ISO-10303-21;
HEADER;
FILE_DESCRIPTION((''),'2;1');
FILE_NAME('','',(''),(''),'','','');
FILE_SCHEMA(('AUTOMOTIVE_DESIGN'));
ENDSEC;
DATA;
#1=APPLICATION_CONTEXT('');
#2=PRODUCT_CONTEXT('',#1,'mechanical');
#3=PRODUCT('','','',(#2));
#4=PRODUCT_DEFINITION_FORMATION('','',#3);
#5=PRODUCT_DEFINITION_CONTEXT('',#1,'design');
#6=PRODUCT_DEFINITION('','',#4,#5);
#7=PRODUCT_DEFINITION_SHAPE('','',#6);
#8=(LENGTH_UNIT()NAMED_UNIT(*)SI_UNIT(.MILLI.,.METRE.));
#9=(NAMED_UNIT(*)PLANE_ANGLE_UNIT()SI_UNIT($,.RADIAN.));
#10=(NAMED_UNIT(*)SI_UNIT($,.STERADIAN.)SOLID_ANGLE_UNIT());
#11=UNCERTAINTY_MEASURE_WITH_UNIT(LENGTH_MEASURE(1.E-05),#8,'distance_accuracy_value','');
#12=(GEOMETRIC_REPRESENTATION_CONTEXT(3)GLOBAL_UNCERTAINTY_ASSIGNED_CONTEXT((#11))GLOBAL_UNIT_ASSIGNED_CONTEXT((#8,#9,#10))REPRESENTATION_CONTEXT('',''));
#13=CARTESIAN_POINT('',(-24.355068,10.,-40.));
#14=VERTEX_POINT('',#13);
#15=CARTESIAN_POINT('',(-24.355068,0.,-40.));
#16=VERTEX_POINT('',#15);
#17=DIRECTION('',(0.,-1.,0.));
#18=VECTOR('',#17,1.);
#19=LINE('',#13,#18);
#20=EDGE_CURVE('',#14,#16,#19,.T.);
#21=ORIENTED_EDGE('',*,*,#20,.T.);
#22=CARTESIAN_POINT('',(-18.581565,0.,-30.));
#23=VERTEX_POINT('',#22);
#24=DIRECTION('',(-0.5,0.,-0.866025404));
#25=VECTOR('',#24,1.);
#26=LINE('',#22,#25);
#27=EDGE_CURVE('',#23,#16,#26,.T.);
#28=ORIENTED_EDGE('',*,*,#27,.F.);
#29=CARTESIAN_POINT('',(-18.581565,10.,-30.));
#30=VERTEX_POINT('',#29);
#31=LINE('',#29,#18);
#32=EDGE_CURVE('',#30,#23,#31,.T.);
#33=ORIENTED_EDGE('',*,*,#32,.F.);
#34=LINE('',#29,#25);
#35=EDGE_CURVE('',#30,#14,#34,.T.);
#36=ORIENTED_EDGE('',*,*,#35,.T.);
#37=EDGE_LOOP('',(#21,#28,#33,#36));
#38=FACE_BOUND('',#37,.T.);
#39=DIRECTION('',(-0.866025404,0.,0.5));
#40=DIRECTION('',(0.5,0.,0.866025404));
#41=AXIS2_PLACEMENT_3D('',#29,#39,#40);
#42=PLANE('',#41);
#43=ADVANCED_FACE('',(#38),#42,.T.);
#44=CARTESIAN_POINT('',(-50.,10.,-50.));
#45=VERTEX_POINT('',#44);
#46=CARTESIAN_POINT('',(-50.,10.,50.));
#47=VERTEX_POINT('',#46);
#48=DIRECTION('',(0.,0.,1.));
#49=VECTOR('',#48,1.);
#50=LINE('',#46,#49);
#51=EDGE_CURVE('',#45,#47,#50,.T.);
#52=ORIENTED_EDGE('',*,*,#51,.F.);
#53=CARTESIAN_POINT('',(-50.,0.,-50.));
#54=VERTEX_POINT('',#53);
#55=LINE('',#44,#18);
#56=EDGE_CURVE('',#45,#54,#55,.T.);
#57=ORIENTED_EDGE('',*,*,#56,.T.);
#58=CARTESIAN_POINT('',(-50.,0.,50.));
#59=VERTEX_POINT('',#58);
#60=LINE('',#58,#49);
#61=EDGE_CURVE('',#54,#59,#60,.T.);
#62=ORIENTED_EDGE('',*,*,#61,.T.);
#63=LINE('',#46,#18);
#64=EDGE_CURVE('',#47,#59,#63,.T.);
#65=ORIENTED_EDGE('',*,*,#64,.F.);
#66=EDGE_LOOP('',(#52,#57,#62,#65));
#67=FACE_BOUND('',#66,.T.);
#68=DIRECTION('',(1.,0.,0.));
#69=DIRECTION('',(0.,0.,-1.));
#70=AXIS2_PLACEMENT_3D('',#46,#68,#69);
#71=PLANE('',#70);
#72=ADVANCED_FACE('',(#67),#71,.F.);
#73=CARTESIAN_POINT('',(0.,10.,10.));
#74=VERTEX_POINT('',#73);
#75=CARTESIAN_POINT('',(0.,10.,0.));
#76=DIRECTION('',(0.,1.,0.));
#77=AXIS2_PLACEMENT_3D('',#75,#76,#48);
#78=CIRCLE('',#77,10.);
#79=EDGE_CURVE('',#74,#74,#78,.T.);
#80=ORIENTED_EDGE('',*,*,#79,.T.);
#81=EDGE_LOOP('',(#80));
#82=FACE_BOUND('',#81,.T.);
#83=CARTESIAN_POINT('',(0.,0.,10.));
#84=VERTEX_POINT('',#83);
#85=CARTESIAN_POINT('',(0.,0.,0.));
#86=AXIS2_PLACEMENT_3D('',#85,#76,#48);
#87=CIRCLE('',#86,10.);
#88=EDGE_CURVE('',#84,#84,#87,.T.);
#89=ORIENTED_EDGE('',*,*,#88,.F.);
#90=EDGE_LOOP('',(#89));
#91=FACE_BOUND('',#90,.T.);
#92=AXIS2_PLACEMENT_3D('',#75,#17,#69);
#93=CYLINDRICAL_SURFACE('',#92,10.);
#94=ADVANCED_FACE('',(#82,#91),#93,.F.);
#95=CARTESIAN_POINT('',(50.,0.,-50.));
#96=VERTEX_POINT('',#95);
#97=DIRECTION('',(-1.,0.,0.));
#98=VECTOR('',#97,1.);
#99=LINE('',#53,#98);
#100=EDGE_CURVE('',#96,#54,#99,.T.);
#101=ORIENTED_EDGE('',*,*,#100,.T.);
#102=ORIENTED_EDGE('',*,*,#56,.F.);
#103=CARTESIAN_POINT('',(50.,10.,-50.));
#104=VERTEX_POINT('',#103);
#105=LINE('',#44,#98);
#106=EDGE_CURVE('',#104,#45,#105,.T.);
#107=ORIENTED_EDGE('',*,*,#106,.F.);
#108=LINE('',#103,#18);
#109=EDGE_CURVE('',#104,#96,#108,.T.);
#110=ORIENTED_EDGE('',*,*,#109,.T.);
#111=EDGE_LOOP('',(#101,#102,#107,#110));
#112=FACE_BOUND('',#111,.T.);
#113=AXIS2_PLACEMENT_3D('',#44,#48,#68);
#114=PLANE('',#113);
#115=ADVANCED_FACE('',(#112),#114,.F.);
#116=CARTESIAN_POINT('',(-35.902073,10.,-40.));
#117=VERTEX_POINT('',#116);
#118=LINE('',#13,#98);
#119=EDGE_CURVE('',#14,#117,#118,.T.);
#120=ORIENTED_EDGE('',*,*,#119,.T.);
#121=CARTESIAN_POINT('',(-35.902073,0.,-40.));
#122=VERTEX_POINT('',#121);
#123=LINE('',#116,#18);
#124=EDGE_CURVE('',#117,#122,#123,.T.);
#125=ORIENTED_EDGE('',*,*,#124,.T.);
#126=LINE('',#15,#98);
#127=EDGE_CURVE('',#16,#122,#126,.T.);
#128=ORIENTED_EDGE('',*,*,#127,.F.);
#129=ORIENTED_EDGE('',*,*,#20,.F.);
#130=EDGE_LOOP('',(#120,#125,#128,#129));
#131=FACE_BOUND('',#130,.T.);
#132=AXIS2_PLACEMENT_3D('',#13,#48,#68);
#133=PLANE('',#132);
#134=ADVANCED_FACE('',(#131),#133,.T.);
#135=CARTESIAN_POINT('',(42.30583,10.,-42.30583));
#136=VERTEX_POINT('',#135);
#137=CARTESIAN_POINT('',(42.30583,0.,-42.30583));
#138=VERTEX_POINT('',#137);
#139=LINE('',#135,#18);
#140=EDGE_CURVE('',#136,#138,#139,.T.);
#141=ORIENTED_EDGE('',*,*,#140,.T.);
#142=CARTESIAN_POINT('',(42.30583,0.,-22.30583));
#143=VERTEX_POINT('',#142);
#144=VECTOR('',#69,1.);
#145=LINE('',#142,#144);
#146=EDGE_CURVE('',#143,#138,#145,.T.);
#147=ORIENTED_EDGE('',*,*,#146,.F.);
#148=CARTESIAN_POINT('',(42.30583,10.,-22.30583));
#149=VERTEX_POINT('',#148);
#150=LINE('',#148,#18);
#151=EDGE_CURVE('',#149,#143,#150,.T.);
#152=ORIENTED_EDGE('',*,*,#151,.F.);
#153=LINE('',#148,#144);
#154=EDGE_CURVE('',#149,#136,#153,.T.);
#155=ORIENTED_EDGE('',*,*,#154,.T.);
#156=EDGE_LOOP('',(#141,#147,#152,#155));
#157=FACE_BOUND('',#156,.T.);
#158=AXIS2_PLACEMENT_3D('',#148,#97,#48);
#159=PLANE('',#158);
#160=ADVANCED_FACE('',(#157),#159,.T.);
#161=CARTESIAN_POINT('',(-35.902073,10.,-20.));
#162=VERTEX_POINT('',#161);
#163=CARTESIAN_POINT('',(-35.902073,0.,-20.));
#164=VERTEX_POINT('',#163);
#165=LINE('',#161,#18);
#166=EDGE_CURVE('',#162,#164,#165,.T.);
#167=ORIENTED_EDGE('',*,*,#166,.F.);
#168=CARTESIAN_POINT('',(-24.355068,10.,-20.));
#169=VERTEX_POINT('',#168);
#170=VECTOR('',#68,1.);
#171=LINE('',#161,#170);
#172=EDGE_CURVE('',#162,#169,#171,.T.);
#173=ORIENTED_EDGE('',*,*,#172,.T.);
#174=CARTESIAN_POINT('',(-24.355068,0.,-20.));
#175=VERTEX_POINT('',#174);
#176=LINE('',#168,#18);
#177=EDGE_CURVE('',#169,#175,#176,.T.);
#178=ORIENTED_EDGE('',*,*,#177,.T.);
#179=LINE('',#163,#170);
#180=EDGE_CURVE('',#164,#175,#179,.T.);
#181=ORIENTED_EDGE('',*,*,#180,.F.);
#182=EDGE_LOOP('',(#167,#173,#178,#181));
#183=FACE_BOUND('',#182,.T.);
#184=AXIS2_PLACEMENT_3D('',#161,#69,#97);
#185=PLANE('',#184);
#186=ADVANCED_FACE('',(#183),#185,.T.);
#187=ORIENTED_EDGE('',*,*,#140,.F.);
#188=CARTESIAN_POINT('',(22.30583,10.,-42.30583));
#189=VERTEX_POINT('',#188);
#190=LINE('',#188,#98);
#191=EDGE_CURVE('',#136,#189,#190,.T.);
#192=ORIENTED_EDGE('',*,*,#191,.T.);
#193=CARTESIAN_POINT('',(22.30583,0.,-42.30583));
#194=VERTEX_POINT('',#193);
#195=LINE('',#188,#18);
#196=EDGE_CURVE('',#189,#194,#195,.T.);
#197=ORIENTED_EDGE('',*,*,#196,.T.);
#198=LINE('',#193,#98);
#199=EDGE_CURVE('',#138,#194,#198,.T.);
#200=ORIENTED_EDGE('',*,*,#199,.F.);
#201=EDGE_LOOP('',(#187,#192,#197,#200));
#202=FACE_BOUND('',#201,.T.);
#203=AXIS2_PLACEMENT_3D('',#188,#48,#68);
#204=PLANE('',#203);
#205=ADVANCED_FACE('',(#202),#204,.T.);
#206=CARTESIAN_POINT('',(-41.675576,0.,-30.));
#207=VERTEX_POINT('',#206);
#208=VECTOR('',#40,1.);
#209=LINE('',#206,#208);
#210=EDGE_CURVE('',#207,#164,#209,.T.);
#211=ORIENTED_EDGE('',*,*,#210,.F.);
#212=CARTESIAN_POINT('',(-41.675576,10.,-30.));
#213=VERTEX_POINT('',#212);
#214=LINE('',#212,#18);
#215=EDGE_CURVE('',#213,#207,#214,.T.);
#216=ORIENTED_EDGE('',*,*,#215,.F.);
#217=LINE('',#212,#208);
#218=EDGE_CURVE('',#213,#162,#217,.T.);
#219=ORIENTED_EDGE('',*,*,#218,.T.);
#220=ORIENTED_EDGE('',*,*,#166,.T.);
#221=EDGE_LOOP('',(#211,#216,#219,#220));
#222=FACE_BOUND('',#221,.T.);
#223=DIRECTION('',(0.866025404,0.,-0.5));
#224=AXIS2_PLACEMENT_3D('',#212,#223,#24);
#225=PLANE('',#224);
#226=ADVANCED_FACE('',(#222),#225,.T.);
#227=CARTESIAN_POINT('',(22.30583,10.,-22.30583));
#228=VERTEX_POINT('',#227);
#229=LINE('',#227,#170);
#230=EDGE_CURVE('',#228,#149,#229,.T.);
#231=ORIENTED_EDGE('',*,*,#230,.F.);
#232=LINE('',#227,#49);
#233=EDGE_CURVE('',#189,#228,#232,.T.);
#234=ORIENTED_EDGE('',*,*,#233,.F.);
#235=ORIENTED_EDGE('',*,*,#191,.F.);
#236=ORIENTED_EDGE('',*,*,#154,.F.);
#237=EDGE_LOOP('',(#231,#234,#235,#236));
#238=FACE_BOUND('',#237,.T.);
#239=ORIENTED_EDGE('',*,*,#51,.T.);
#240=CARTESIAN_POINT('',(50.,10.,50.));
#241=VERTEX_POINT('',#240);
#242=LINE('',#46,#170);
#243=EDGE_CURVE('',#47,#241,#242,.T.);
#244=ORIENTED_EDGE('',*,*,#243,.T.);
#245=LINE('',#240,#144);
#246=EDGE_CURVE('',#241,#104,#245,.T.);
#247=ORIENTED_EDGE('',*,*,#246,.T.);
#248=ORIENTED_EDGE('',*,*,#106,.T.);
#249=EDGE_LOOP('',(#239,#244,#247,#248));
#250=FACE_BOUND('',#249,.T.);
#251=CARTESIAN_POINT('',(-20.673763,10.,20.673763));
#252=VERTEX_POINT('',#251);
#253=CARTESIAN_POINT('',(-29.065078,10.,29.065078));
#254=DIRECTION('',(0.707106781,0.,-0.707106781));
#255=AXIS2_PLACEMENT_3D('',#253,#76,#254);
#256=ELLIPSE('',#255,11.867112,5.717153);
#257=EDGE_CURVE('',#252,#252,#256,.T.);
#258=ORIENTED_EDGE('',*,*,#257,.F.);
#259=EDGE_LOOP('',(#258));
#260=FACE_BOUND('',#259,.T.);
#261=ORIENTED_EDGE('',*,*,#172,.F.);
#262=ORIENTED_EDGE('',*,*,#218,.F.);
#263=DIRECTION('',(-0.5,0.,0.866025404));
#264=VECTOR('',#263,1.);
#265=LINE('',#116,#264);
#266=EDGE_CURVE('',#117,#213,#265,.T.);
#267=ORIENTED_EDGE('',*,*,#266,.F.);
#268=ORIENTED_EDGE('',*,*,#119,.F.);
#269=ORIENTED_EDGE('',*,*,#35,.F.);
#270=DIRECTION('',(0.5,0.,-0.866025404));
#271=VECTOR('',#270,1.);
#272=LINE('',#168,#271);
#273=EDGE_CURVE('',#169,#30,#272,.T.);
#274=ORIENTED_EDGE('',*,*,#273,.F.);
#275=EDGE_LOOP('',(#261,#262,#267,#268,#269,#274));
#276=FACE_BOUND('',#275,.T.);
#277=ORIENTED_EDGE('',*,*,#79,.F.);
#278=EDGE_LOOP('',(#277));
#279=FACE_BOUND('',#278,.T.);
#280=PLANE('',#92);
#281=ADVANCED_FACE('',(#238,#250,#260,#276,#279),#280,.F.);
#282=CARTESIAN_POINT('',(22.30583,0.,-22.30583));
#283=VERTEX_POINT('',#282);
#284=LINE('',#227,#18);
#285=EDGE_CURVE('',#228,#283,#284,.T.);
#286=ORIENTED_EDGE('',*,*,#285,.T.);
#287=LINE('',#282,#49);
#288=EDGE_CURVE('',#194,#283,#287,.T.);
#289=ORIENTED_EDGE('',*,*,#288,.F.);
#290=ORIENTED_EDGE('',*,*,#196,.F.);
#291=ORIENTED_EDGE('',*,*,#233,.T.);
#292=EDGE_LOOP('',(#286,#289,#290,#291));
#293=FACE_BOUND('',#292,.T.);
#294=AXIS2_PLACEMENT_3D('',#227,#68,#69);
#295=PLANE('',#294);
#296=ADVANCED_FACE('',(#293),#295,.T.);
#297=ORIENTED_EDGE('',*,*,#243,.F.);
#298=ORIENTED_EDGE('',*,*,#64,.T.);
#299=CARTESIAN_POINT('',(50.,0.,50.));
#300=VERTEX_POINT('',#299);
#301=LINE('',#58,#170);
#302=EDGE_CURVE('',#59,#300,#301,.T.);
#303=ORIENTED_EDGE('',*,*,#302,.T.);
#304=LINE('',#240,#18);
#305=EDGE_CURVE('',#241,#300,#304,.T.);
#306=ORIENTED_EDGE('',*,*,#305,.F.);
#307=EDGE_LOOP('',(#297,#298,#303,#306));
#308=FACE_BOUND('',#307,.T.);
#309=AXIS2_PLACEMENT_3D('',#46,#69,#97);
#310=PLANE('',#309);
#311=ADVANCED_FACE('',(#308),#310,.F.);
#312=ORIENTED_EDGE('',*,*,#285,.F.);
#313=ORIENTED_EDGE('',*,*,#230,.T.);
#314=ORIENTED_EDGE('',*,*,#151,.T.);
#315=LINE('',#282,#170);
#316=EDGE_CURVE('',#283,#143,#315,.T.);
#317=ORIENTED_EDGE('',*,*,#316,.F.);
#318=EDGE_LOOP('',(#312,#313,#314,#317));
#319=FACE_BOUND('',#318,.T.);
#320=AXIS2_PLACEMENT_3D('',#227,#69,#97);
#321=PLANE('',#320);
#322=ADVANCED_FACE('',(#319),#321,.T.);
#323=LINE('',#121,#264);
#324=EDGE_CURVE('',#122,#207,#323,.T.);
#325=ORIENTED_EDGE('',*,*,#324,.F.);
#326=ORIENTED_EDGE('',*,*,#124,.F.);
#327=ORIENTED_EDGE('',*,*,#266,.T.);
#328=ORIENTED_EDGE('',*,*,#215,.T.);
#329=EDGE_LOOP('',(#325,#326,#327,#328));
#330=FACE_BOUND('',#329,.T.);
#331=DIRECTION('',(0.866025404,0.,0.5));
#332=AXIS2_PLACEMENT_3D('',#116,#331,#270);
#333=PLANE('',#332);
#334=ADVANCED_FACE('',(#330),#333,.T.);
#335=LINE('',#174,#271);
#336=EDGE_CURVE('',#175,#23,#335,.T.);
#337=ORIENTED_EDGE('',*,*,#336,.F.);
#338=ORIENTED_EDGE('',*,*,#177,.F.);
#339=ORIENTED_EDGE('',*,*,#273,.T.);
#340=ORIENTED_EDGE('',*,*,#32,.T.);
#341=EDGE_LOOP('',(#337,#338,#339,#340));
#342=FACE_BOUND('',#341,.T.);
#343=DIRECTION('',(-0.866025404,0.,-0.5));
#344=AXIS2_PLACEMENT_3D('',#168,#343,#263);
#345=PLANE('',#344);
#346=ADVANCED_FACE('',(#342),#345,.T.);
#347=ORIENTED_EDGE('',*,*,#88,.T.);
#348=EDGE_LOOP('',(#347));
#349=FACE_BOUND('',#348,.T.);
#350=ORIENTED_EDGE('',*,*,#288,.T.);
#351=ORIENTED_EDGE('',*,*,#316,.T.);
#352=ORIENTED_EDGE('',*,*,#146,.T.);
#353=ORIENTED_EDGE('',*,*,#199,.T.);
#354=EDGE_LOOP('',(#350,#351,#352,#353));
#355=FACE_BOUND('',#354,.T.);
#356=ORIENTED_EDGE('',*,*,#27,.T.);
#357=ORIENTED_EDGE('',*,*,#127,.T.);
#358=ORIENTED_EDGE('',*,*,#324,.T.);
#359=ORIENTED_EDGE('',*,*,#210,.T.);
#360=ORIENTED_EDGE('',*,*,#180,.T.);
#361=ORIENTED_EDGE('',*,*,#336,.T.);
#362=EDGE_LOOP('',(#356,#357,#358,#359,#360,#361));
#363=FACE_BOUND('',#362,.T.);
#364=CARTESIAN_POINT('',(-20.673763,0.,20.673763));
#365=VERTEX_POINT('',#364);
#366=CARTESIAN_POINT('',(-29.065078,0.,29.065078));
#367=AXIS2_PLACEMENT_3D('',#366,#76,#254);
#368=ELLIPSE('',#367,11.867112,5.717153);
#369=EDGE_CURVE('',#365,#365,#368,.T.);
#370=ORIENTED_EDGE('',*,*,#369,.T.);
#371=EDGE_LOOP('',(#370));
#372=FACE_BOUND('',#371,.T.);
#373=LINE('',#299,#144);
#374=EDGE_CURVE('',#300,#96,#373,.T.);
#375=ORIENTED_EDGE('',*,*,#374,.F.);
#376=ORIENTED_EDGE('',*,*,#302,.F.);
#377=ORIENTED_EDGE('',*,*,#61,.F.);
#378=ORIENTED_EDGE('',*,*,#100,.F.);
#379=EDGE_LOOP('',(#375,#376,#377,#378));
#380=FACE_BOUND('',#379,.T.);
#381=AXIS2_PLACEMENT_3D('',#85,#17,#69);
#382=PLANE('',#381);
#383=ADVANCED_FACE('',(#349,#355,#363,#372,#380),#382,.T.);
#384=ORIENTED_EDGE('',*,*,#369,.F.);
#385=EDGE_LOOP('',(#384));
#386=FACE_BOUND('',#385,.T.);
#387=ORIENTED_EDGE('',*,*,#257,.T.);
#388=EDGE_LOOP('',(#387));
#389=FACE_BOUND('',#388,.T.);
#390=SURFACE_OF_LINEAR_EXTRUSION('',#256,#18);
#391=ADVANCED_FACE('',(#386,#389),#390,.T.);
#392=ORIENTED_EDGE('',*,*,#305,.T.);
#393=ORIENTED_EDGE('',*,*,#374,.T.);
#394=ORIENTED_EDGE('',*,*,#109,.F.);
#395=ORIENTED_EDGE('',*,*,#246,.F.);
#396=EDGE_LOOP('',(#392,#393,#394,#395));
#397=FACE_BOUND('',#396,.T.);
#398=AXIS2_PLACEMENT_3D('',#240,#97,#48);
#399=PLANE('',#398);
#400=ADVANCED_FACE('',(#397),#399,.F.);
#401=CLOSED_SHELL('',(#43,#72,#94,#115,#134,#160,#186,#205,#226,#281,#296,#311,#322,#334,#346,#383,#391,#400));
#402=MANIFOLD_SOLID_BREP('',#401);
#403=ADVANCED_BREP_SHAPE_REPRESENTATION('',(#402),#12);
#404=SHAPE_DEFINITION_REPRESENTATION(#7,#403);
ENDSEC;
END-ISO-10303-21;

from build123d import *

# Parameters (mm, degrees)
SKETCH1_W           = 100
SKETCH1_H           = 100
SKETCH1_R           = 10
SKETCH1_RX          = 11.867112324
SKETCH1_RY          = 5.7171528
SKETCH1_W_2         = 20
SKETCH1_H_2         = 20
BOSS_EXTRUDE1_DEPTH = 10


with BuildPart() as part:
    # Sketch1 → Boss-Extrude1 (new body)
    with BuildSketch(Plane(origin=(0, 0, 0), x_dir=(1, 0, 0), z_dir=(0, 1, 0))):
        Rectangle(SKETCH1_W, SKETCH1_H)
        Circle(SKETCH1_R, mode=Mode.SUBTRACT)
        with Locations(Location((-29.06507818, -29.06507818), (0, 0, 45))):
            Ellipse(SKETCH1_RX, SKETCH1_RY, mode=Mode.SUBTRACT)
        Polygon((-18.581564885, 30), (-24.355067577, 40), (-35.902072961, 40), (-41.675575653, 30), (-35.902072961, 20), (-24.355067577, 20), align=None, mode=Mode.SUBTRACT)
        with Locations((32.305830442, 32.305830442)):
            Rectangle(SKETCH1_W_2, SKETCH1_H_2, mode=Mode.SUBTRACT)
    extrude(amount=BOSS_EXTRUDE1_DEPTH)


solid = part.part
